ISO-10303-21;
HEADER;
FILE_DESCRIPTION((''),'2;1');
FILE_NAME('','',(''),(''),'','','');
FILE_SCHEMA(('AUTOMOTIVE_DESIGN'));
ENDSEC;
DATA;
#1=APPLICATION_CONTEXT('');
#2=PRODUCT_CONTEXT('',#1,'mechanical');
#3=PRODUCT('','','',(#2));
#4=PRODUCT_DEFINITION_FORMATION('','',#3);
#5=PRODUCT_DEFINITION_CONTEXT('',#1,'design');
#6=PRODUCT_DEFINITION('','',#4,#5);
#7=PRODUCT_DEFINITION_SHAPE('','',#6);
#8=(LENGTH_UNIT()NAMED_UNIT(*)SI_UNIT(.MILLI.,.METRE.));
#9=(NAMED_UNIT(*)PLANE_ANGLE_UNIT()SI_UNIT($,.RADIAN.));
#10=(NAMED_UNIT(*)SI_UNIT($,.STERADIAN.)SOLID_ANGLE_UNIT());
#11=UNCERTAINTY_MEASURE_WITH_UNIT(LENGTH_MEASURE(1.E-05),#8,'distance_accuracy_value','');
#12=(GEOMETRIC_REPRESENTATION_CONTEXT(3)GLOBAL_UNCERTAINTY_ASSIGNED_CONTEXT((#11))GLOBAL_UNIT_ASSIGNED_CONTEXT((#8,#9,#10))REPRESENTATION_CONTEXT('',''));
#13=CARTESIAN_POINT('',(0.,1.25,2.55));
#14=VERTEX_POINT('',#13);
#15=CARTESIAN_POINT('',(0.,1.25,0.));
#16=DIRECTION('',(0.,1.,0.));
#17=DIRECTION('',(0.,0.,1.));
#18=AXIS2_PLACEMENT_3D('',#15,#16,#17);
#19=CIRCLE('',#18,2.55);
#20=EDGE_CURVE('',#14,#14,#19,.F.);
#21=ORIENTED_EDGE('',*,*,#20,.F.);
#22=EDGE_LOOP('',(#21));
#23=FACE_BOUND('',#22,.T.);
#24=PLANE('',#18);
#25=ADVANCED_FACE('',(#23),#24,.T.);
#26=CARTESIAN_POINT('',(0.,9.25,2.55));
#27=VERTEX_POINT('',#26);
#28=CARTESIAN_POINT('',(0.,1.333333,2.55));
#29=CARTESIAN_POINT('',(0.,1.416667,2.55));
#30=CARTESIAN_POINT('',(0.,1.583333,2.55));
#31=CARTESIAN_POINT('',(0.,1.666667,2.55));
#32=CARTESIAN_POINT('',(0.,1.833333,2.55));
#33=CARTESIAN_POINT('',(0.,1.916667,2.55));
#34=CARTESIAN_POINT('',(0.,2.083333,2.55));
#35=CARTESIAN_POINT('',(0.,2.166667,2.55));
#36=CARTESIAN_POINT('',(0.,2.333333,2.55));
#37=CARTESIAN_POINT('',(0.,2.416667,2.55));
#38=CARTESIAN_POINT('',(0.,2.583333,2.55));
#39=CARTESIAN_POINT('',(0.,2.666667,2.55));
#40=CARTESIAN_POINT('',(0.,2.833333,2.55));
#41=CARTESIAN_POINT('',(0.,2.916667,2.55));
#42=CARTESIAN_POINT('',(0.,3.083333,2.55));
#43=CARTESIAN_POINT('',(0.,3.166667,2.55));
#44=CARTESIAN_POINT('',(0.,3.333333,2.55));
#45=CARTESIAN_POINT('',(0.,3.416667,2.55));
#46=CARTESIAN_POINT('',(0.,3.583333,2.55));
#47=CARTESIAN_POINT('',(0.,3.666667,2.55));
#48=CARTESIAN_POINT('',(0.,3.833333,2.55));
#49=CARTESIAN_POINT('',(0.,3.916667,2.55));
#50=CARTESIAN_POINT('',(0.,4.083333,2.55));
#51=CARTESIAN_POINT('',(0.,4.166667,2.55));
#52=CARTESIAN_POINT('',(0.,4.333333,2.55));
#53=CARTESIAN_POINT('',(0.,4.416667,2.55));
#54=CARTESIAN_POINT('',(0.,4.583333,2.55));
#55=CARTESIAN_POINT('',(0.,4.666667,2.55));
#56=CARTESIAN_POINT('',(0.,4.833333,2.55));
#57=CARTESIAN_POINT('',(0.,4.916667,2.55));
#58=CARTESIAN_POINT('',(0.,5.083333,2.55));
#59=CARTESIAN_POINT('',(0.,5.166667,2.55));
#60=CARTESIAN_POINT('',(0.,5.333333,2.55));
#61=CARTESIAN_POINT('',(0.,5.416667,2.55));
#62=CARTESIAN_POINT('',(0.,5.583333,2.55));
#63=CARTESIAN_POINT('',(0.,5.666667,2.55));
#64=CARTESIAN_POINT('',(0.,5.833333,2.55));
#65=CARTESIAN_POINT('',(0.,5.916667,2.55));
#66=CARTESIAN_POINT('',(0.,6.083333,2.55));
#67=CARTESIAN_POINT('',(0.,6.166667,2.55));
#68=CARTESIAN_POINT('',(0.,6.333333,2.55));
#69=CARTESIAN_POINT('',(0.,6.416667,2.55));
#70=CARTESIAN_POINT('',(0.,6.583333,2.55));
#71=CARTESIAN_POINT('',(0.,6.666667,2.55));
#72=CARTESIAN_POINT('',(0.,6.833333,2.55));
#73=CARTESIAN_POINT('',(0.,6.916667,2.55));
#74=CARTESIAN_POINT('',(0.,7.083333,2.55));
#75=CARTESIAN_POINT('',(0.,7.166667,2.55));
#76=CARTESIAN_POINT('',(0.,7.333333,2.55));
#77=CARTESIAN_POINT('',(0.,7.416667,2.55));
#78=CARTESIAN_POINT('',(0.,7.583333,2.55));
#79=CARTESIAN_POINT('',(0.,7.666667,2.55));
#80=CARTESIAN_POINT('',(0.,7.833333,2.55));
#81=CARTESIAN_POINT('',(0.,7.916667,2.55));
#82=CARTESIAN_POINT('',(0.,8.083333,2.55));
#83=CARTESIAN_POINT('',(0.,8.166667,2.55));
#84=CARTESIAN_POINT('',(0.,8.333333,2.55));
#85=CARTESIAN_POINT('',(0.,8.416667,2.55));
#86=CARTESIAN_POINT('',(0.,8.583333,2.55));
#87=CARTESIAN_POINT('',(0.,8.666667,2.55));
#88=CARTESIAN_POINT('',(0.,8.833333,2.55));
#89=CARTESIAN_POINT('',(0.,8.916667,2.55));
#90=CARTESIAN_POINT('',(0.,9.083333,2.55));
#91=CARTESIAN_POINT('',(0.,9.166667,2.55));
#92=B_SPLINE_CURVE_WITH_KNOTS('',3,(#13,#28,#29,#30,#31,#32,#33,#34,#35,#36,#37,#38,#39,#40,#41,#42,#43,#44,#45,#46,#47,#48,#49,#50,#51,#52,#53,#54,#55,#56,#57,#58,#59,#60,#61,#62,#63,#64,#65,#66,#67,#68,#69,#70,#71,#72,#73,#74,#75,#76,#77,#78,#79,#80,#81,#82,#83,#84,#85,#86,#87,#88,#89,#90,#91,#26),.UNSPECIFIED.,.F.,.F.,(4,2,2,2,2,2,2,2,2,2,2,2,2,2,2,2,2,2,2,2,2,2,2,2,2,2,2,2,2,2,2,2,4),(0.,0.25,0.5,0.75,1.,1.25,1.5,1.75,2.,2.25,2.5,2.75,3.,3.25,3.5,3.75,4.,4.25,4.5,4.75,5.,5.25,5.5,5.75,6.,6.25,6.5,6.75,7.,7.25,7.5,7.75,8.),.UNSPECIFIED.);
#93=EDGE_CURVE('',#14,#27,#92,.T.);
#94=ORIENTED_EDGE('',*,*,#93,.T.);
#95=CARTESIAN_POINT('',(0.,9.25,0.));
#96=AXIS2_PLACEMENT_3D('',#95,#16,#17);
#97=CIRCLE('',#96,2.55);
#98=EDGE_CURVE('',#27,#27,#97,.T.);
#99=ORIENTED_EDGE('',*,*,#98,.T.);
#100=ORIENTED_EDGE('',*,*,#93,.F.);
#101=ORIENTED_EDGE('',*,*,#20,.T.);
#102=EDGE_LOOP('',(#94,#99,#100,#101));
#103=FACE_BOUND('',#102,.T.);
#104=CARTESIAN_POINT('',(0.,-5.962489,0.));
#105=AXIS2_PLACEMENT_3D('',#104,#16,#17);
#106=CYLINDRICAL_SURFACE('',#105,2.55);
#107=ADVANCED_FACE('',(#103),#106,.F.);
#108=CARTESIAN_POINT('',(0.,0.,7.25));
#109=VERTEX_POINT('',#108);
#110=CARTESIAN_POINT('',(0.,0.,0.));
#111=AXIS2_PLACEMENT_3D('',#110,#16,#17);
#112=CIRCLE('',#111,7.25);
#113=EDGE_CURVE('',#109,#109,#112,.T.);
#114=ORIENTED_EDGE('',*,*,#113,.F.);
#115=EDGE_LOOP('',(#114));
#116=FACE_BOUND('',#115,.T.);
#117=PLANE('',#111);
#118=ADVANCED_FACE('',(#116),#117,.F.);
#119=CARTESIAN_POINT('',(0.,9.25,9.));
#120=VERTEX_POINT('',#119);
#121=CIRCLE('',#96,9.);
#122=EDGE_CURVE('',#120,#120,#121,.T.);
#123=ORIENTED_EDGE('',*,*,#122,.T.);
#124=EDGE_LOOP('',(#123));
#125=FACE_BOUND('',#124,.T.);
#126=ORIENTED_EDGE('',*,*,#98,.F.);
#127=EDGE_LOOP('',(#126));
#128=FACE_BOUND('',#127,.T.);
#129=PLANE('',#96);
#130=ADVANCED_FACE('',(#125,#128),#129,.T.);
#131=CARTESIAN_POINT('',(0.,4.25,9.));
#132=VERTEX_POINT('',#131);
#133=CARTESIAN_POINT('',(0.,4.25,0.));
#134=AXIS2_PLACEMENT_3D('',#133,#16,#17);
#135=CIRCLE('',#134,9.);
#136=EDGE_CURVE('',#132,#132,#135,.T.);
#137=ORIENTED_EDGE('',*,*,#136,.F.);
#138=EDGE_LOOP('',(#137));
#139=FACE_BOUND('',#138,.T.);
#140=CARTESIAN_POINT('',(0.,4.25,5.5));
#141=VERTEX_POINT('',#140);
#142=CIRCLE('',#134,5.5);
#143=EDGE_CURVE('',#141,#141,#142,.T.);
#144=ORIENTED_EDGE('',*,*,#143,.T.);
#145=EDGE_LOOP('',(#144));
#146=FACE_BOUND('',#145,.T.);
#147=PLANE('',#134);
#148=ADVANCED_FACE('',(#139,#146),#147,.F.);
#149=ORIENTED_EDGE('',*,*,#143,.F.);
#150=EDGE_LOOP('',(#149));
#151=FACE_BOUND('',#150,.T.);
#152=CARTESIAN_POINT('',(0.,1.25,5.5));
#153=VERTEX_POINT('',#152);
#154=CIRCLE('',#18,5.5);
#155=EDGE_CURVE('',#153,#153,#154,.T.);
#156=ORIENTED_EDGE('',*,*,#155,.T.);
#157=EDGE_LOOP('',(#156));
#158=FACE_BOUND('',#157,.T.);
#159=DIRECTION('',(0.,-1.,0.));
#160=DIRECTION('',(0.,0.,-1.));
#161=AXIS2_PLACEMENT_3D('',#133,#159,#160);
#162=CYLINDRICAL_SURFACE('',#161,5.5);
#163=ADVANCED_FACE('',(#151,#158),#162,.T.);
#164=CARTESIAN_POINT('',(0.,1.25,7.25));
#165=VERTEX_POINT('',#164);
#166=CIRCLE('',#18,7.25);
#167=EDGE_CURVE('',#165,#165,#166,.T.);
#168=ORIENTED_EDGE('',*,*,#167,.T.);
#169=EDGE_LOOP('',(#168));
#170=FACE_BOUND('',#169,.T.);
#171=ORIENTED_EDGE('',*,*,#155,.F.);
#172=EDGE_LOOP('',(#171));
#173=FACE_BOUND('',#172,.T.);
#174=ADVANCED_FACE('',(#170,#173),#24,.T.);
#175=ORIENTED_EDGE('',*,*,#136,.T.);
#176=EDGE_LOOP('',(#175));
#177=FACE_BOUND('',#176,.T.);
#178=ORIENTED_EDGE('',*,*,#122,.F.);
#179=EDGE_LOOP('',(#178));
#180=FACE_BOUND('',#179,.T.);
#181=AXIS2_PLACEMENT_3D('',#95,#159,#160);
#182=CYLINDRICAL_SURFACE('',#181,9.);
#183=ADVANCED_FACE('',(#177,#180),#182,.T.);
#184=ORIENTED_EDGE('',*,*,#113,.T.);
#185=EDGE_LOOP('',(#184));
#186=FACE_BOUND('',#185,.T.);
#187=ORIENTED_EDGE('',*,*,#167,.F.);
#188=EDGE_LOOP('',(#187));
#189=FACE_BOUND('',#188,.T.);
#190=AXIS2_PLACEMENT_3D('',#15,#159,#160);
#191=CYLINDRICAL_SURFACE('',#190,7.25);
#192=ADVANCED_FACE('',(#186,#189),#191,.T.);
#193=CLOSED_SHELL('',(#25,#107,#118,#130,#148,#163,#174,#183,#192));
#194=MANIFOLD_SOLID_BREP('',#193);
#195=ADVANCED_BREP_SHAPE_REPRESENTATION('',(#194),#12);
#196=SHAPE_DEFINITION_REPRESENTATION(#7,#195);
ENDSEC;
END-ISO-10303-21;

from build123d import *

# Parameters (mm, degrees)
SKETCH1_R           = 7.25
BOSS_EXTRUDE1_DEPTH = 1.25
SKETCH2_R           = 5.5
BOSS_EXTRUDE2_DEPTH = 3
SKETCH3_R           = 9
BOSS_EXTRUDE3_DEPTH = 5
SKETCH4_R           = 2.55
CUT_EXTRUDE1_DEPTH  = 8


with BuildPart() as part:
    # Sketch1 → Boss-Extrude1 (new body)
    with BuildSketch(Plane(origin=(0, 0, 0), x_dir=(1, 0, 0), z_dir=(0, 1, 0))):
        with Locations(Location((0, 0, 0), (0, 0, 270))):
            Circle(SKETCH1_R)
    extrude(amount=BOSS_EXTRUDE1_DEPTH)

    # Sketch2 → Boss-Extrude2 (add)
    with BuildSketch(Plane(origin=(0, 1.25, 0), x_dir=(1, 0, 0), z_dir=(0, 1, 0))):
        with Locations(Location((0, 0, 0), (0, 0, 270))):
            Circle(SKETCH2_R)
    extrude(amount=BOSS_EXTRUDE2_DEPTH)

    # Sketch3 → Boss-Extrude3 (add)
    with BuildSketch(Plane(origin=(0, 4.25, 0), x_dir=(1, 0, 0), z_dir=(0, 1, 0))):
        with Locations(Location((0, 0, 0), (0, 0, 270))):
            Circle(SKETCH3_R)
    extrude(amount=BOSS_EXTRUDE3_DEPTH)

    # Sketch4 → Cut-Extrude1 (cut)
    with BuildSketch(Plane(origin=(0, 9.25, 0), x_dir=(1, 0, 0), z_dir=(0, 1, 0))):
        with Locations(Location((0, 0, 0), (0, 0, 270))):
            Circle(SKETCH4_R)
    extrude(amount=-CUT_EXTRUDE1_DEPTH, mode=Mode.SUBTRACT)


solid = part.part
